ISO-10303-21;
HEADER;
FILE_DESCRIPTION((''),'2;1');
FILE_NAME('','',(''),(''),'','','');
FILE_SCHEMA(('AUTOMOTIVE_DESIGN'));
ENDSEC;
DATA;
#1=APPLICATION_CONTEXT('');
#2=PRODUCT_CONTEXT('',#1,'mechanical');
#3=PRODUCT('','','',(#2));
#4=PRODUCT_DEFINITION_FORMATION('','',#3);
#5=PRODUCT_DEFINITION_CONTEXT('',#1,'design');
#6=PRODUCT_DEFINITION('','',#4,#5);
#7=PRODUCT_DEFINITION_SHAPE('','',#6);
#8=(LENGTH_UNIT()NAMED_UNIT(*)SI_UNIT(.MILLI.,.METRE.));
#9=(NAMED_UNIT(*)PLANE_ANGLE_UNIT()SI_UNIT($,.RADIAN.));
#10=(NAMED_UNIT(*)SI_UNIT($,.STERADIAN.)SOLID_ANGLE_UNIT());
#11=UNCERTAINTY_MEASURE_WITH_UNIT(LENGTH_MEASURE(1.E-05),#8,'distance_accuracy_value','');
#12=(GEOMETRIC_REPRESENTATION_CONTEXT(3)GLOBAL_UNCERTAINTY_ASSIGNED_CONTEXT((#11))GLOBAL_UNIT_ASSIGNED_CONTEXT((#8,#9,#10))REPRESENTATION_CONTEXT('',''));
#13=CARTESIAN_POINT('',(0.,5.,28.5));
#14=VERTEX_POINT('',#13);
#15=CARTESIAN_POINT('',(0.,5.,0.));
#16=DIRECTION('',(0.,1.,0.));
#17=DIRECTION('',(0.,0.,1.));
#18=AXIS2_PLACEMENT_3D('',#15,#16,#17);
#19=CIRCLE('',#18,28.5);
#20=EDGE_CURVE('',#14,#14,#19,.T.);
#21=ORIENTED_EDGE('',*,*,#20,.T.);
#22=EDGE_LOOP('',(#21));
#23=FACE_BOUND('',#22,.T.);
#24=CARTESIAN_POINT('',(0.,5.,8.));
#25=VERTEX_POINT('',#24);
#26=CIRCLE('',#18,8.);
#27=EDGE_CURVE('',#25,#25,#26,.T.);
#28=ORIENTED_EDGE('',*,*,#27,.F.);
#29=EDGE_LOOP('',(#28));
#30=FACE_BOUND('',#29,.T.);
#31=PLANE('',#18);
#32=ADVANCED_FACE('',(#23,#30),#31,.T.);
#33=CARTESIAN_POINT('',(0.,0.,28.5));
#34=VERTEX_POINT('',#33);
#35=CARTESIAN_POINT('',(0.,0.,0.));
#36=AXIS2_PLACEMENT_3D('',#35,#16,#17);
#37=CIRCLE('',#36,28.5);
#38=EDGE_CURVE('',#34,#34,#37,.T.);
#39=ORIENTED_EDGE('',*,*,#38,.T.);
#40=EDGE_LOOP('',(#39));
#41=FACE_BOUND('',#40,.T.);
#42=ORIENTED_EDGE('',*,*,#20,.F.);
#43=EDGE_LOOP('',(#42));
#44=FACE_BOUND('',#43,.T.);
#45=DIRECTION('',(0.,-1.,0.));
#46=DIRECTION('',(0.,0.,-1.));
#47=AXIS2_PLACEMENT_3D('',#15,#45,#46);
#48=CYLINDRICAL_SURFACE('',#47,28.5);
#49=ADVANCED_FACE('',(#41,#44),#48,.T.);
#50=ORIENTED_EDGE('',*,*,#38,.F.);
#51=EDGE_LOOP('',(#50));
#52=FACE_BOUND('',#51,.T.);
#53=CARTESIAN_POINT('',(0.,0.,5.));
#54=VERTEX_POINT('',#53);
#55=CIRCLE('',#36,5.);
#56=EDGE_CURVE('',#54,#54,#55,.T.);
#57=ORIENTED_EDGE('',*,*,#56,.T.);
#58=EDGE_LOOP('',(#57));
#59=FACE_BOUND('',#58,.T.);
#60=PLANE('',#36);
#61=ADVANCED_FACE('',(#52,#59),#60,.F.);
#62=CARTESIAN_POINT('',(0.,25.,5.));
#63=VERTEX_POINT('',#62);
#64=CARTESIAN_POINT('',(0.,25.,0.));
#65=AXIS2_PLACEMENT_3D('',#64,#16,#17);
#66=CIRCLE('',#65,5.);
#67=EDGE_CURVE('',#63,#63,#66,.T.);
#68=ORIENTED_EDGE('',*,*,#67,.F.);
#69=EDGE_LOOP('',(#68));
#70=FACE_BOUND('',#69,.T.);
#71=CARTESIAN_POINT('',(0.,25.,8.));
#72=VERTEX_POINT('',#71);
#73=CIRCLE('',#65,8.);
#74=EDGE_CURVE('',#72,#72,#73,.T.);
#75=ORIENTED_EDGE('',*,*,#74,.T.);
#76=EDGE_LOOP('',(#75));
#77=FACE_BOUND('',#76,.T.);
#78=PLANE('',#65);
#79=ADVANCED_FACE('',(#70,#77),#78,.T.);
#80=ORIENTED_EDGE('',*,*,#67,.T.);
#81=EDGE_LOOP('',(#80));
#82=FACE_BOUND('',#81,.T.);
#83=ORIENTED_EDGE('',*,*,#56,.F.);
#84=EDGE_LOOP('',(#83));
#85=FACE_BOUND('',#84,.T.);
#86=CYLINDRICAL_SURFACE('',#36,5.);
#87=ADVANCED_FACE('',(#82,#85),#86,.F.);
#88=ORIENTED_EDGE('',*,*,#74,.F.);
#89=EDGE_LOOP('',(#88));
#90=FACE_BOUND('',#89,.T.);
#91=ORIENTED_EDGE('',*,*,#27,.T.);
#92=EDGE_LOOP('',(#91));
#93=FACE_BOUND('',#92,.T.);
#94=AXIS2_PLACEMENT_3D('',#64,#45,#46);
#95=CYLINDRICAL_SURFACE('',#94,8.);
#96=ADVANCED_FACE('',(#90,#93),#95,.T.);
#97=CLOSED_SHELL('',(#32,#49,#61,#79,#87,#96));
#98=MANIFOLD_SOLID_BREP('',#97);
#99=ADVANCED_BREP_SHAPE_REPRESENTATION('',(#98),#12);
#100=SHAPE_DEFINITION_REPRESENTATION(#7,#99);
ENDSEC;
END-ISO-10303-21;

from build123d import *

# Parameters (mm, degrees)
SKETCH1_R           = 28.5
BOSS_EXTRUDE1_DEPTH = 5
SKETCH2_R           = 8
BOSS_EXTRUDE2_DEPTH = 20
SKETCH3_R           = 5
CUT_EXTRUDE1_DEPTH  = 48.428894147


with BuildPart() as part:
    # Sketch1 → Boss-Extrude1 (new body)
    with BuildSketch(Plane(origin=(0, 0, 0), x_dir=(1, 0, 0), z_dir=(0, 1, 0))):
        with Locations(Location((0, 0, 0), (0, 0, 270))):
            Circle(SKETCH1_R)
    extrude(amount=BOSS_EXTRUDE1_DEPTH)

    # Sketch2 → Boss-Extrude2 (add)
    with BuildSketch(Plane(origin=(0, 5, 0), x_dir=(1, 0, 0), z_dir=(0, 1, 0))):
        with Locations(Location((0, 0, 0), (0, 0, 270))):
            Circle(SKETCH2_R)
    extrude(amount=BOSS_EXTRUDE2_DEPTH)

    # Sketch3 → Cut-Extrude1 (cut, through all)
    with BuildSketch(Plane(origin=(0, 25, 0), x_dir=(1, 0, 0), z_dir=(0, 1, 0))):
        with Locations(Location((0, 0, 0), (0, 0, 270))):
            Circle(SKETCH3_R)
    extrude(amount=-CUT_EXTRUDE1_DEPTH, mode=Mode.SUBTRACT)


solid = part.part
